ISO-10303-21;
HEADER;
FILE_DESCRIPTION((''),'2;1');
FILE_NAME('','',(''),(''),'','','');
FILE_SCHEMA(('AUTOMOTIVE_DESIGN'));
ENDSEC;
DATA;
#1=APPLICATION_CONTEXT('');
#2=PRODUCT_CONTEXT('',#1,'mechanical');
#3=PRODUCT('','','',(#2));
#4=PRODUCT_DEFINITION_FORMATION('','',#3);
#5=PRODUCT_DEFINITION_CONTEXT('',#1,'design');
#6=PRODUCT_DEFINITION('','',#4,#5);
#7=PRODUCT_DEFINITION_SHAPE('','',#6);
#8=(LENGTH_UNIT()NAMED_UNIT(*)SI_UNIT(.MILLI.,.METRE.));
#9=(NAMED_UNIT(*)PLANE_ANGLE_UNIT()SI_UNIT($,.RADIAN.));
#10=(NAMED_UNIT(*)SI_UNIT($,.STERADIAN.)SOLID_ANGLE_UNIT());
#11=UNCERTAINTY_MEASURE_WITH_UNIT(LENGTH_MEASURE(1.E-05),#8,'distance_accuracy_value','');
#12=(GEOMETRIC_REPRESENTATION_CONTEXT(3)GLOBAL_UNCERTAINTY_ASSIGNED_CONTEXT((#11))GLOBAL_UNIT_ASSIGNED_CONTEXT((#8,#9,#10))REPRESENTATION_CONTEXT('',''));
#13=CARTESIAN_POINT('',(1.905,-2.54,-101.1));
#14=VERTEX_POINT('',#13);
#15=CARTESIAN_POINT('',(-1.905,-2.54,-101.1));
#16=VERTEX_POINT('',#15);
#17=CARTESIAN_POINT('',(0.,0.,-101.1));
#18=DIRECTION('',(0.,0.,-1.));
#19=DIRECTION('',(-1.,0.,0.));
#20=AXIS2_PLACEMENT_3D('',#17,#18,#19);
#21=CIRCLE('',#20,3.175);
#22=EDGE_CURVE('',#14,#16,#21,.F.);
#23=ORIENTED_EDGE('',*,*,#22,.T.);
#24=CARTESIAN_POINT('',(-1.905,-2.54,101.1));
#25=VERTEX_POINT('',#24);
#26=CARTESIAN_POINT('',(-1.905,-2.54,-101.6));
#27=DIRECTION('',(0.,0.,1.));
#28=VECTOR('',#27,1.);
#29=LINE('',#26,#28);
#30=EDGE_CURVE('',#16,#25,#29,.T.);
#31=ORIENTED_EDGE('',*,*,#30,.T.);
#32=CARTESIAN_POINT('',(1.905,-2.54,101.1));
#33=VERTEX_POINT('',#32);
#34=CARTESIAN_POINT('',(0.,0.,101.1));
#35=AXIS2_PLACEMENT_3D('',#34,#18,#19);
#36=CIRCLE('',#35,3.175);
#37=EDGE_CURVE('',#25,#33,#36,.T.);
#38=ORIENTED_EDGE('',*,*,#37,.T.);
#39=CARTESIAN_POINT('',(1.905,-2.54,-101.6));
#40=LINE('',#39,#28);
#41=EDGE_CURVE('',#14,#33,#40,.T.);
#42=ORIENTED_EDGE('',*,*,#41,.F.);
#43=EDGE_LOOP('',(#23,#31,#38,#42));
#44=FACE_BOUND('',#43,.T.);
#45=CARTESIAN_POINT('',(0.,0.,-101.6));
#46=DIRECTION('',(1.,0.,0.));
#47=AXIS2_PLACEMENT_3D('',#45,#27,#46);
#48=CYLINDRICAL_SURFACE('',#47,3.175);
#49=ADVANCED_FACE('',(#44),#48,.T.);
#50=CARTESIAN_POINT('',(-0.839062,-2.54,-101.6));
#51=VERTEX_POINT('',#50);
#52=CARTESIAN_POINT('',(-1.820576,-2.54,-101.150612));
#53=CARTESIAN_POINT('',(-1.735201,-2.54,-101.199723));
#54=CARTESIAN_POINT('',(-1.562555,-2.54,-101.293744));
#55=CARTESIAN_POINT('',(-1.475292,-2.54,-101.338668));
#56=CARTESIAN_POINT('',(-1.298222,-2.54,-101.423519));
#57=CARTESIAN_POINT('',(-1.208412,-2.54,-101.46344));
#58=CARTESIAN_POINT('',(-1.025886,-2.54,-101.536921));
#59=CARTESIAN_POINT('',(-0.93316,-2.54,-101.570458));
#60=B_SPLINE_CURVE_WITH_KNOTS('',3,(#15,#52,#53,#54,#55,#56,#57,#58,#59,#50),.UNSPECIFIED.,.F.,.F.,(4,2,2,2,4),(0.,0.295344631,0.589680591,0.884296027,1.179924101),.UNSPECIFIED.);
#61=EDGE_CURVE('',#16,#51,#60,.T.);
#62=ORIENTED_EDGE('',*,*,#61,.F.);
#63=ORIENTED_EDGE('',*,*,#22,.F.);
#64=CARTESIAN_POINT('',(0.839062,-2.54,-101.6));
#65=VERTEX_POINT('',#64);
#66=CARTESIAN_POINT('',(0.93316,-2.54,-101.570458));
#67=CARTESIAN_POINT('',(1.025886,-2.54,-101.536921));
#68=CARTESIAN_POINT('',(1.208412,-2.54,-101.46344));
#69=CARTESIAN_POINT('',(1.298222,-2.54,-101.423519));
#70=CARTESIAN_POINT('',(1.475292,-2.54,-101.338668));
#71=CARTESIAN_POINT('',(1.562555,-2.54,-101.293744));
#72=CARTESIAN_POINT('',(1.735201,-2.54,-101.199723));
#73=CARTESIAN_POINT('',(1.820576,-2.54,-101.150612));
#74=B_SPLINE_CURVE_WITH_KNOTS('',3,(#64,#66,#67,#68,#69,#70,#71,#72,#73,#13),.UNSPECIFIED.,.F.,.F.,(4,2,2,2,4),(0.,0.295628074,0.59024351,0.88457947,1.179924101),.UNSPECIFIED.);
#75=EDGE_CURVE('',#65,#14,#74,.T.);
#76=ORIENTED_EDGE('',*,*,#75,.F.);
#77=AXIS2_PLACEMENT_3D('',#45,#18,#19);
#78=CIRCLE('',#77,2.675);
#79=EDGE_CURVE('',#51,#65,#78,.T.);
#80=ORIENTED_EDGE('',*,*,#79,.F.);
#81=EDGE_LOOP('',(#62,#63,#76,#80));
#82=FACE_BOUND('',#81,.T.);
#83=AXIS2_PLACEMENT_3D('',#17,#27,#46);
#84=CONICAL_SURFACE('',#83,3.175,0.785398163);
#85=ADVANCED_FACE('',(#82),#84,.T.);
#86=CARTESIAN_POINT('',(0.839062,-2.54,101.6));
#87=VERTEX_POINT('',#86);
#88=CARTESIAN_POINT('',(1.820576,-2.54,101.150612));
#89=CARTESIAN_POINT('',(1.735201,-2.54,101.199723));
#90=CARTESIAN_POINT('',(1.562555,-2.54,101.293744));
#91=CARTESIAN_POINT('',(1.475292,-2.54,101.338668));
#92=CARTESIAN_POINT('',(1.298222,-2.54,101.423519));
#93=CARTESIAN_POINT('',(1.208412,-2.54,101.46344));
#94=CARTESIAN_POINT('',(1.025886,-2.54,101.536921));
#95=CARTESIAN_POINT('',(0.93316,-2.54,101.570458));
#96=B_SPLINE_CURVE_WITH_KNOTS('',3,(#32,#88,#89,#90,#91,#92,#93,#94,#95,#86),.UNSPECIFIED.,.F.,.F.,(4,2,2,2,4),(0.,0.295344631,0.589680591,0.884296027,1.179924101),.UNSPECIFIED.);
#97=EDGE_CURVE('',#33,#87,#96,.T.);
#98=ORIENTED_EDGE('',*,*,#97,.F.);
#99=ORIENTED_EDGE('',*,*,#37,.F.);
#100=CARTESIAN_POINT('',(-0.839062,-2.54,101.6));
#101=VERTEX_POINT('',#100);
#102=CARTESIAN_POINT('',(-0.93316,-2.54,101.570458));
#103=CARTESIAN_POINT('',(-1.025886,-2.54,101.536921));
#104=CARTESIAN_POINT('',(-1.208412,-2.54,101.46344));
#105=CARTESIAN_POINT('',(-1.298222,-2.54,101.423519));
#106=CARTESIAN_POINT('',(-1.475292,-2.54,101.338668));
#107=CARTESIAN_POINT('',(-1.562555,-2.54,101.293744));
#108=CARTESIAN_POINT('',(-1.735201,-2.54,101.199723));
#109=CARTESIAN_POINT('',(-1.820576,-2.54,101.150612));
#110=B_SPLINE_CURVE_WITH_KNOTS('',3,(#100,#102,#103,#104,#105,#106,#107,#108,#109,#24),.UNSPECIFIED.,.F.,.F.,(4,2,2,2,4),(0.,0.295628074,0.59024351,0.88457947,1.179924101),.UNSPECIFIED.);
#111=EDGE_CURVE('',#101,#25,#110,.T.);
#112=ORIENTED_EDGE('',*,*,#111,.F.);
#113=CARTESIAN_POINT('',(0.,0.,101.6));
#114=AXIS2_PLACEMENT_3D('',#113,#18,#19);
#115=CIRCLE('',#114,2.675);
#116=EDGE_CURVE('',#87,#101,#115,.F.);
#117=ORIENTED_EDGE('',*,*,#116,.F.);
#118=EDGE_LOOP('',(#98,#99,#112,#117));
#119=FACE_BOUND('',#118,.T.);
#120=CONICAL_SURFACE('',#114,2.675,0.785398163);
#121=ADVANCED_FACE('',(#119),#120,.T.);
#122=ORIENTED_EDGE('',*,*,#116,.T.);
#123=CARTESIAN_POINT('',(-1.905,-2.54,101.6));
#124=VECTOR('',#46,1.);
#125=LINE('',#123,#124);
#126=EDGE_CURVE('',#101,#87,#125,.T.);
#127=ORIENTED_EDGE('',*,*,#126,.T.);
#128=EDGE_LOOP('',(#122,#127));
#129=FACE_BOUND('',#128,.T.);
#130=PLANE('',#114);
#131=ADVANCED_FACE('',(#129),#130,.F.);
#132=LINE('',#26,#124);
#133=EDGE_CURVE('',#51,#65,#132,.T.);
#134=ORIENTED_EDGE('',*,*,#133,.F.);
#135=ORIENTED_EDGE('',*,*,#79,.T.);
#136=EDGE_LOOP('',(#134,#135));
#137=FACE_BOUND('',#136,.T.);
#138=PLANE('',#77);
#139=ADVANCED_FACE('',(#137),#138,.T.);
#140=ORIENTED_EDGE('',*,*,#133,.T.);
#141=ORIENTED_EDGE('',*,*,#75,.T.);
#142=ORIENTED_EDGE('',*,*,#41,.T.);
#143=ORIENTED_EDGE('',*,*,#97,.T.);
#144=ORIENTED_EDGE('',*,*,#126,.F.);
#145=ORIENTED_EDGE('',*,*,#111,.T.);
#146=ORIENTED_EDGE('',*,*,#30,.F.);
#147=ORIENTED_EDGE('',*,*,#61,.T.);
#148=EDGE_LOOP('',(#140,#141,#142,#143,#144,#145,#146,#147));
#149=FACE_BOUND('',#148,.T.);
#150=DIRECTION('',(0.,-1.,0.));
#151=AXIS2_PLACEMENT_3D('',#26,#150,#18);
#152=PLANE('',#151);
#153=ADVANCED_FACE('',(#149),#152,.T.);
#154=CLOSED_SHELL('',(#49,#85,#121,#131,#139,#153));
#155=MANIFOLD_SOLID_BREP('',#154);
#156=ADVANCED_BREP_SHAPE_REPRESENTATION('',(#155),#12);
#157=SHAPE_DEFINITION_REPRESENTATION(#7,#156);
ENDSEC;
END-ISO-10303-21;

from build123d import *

# Parameters (mm, degrees)
CHAMFER1_SIZE = 0.5


with BuildPart() as part:
    # Sweep1: sweep along a path in Sketch2
    with BuildLine(Plane(origin=(0, 0, 0), x_dir=(1, 0, 0), z_dir=(0, 1, 0))) as sweep1_path:
        Line((0, -101.6), (0, 101.6))
    # Sketch1 → Sweep1 (sweep)
    with BuildSketch(Plane.XY):
        with BuildLine():
            Line((-1.905, -2.54), (1.905, -2.54))
            ThreePointArc((1.905, -2.54), (0, 3.175), (-1.905, -2.54))
        make_face()
    sweep(path=sweep1_path.line)

    # Chamfer1
    chamfer1_edges = [part.edges().sort_by_distance(p)[0] for p in [
        (0, 3.175, 101.6),
        (0, 3.175, -101.6),
    ]]
    chamfer(chamfer1_edges, length=CHAMFER1_SIZE)


solid = part.part
